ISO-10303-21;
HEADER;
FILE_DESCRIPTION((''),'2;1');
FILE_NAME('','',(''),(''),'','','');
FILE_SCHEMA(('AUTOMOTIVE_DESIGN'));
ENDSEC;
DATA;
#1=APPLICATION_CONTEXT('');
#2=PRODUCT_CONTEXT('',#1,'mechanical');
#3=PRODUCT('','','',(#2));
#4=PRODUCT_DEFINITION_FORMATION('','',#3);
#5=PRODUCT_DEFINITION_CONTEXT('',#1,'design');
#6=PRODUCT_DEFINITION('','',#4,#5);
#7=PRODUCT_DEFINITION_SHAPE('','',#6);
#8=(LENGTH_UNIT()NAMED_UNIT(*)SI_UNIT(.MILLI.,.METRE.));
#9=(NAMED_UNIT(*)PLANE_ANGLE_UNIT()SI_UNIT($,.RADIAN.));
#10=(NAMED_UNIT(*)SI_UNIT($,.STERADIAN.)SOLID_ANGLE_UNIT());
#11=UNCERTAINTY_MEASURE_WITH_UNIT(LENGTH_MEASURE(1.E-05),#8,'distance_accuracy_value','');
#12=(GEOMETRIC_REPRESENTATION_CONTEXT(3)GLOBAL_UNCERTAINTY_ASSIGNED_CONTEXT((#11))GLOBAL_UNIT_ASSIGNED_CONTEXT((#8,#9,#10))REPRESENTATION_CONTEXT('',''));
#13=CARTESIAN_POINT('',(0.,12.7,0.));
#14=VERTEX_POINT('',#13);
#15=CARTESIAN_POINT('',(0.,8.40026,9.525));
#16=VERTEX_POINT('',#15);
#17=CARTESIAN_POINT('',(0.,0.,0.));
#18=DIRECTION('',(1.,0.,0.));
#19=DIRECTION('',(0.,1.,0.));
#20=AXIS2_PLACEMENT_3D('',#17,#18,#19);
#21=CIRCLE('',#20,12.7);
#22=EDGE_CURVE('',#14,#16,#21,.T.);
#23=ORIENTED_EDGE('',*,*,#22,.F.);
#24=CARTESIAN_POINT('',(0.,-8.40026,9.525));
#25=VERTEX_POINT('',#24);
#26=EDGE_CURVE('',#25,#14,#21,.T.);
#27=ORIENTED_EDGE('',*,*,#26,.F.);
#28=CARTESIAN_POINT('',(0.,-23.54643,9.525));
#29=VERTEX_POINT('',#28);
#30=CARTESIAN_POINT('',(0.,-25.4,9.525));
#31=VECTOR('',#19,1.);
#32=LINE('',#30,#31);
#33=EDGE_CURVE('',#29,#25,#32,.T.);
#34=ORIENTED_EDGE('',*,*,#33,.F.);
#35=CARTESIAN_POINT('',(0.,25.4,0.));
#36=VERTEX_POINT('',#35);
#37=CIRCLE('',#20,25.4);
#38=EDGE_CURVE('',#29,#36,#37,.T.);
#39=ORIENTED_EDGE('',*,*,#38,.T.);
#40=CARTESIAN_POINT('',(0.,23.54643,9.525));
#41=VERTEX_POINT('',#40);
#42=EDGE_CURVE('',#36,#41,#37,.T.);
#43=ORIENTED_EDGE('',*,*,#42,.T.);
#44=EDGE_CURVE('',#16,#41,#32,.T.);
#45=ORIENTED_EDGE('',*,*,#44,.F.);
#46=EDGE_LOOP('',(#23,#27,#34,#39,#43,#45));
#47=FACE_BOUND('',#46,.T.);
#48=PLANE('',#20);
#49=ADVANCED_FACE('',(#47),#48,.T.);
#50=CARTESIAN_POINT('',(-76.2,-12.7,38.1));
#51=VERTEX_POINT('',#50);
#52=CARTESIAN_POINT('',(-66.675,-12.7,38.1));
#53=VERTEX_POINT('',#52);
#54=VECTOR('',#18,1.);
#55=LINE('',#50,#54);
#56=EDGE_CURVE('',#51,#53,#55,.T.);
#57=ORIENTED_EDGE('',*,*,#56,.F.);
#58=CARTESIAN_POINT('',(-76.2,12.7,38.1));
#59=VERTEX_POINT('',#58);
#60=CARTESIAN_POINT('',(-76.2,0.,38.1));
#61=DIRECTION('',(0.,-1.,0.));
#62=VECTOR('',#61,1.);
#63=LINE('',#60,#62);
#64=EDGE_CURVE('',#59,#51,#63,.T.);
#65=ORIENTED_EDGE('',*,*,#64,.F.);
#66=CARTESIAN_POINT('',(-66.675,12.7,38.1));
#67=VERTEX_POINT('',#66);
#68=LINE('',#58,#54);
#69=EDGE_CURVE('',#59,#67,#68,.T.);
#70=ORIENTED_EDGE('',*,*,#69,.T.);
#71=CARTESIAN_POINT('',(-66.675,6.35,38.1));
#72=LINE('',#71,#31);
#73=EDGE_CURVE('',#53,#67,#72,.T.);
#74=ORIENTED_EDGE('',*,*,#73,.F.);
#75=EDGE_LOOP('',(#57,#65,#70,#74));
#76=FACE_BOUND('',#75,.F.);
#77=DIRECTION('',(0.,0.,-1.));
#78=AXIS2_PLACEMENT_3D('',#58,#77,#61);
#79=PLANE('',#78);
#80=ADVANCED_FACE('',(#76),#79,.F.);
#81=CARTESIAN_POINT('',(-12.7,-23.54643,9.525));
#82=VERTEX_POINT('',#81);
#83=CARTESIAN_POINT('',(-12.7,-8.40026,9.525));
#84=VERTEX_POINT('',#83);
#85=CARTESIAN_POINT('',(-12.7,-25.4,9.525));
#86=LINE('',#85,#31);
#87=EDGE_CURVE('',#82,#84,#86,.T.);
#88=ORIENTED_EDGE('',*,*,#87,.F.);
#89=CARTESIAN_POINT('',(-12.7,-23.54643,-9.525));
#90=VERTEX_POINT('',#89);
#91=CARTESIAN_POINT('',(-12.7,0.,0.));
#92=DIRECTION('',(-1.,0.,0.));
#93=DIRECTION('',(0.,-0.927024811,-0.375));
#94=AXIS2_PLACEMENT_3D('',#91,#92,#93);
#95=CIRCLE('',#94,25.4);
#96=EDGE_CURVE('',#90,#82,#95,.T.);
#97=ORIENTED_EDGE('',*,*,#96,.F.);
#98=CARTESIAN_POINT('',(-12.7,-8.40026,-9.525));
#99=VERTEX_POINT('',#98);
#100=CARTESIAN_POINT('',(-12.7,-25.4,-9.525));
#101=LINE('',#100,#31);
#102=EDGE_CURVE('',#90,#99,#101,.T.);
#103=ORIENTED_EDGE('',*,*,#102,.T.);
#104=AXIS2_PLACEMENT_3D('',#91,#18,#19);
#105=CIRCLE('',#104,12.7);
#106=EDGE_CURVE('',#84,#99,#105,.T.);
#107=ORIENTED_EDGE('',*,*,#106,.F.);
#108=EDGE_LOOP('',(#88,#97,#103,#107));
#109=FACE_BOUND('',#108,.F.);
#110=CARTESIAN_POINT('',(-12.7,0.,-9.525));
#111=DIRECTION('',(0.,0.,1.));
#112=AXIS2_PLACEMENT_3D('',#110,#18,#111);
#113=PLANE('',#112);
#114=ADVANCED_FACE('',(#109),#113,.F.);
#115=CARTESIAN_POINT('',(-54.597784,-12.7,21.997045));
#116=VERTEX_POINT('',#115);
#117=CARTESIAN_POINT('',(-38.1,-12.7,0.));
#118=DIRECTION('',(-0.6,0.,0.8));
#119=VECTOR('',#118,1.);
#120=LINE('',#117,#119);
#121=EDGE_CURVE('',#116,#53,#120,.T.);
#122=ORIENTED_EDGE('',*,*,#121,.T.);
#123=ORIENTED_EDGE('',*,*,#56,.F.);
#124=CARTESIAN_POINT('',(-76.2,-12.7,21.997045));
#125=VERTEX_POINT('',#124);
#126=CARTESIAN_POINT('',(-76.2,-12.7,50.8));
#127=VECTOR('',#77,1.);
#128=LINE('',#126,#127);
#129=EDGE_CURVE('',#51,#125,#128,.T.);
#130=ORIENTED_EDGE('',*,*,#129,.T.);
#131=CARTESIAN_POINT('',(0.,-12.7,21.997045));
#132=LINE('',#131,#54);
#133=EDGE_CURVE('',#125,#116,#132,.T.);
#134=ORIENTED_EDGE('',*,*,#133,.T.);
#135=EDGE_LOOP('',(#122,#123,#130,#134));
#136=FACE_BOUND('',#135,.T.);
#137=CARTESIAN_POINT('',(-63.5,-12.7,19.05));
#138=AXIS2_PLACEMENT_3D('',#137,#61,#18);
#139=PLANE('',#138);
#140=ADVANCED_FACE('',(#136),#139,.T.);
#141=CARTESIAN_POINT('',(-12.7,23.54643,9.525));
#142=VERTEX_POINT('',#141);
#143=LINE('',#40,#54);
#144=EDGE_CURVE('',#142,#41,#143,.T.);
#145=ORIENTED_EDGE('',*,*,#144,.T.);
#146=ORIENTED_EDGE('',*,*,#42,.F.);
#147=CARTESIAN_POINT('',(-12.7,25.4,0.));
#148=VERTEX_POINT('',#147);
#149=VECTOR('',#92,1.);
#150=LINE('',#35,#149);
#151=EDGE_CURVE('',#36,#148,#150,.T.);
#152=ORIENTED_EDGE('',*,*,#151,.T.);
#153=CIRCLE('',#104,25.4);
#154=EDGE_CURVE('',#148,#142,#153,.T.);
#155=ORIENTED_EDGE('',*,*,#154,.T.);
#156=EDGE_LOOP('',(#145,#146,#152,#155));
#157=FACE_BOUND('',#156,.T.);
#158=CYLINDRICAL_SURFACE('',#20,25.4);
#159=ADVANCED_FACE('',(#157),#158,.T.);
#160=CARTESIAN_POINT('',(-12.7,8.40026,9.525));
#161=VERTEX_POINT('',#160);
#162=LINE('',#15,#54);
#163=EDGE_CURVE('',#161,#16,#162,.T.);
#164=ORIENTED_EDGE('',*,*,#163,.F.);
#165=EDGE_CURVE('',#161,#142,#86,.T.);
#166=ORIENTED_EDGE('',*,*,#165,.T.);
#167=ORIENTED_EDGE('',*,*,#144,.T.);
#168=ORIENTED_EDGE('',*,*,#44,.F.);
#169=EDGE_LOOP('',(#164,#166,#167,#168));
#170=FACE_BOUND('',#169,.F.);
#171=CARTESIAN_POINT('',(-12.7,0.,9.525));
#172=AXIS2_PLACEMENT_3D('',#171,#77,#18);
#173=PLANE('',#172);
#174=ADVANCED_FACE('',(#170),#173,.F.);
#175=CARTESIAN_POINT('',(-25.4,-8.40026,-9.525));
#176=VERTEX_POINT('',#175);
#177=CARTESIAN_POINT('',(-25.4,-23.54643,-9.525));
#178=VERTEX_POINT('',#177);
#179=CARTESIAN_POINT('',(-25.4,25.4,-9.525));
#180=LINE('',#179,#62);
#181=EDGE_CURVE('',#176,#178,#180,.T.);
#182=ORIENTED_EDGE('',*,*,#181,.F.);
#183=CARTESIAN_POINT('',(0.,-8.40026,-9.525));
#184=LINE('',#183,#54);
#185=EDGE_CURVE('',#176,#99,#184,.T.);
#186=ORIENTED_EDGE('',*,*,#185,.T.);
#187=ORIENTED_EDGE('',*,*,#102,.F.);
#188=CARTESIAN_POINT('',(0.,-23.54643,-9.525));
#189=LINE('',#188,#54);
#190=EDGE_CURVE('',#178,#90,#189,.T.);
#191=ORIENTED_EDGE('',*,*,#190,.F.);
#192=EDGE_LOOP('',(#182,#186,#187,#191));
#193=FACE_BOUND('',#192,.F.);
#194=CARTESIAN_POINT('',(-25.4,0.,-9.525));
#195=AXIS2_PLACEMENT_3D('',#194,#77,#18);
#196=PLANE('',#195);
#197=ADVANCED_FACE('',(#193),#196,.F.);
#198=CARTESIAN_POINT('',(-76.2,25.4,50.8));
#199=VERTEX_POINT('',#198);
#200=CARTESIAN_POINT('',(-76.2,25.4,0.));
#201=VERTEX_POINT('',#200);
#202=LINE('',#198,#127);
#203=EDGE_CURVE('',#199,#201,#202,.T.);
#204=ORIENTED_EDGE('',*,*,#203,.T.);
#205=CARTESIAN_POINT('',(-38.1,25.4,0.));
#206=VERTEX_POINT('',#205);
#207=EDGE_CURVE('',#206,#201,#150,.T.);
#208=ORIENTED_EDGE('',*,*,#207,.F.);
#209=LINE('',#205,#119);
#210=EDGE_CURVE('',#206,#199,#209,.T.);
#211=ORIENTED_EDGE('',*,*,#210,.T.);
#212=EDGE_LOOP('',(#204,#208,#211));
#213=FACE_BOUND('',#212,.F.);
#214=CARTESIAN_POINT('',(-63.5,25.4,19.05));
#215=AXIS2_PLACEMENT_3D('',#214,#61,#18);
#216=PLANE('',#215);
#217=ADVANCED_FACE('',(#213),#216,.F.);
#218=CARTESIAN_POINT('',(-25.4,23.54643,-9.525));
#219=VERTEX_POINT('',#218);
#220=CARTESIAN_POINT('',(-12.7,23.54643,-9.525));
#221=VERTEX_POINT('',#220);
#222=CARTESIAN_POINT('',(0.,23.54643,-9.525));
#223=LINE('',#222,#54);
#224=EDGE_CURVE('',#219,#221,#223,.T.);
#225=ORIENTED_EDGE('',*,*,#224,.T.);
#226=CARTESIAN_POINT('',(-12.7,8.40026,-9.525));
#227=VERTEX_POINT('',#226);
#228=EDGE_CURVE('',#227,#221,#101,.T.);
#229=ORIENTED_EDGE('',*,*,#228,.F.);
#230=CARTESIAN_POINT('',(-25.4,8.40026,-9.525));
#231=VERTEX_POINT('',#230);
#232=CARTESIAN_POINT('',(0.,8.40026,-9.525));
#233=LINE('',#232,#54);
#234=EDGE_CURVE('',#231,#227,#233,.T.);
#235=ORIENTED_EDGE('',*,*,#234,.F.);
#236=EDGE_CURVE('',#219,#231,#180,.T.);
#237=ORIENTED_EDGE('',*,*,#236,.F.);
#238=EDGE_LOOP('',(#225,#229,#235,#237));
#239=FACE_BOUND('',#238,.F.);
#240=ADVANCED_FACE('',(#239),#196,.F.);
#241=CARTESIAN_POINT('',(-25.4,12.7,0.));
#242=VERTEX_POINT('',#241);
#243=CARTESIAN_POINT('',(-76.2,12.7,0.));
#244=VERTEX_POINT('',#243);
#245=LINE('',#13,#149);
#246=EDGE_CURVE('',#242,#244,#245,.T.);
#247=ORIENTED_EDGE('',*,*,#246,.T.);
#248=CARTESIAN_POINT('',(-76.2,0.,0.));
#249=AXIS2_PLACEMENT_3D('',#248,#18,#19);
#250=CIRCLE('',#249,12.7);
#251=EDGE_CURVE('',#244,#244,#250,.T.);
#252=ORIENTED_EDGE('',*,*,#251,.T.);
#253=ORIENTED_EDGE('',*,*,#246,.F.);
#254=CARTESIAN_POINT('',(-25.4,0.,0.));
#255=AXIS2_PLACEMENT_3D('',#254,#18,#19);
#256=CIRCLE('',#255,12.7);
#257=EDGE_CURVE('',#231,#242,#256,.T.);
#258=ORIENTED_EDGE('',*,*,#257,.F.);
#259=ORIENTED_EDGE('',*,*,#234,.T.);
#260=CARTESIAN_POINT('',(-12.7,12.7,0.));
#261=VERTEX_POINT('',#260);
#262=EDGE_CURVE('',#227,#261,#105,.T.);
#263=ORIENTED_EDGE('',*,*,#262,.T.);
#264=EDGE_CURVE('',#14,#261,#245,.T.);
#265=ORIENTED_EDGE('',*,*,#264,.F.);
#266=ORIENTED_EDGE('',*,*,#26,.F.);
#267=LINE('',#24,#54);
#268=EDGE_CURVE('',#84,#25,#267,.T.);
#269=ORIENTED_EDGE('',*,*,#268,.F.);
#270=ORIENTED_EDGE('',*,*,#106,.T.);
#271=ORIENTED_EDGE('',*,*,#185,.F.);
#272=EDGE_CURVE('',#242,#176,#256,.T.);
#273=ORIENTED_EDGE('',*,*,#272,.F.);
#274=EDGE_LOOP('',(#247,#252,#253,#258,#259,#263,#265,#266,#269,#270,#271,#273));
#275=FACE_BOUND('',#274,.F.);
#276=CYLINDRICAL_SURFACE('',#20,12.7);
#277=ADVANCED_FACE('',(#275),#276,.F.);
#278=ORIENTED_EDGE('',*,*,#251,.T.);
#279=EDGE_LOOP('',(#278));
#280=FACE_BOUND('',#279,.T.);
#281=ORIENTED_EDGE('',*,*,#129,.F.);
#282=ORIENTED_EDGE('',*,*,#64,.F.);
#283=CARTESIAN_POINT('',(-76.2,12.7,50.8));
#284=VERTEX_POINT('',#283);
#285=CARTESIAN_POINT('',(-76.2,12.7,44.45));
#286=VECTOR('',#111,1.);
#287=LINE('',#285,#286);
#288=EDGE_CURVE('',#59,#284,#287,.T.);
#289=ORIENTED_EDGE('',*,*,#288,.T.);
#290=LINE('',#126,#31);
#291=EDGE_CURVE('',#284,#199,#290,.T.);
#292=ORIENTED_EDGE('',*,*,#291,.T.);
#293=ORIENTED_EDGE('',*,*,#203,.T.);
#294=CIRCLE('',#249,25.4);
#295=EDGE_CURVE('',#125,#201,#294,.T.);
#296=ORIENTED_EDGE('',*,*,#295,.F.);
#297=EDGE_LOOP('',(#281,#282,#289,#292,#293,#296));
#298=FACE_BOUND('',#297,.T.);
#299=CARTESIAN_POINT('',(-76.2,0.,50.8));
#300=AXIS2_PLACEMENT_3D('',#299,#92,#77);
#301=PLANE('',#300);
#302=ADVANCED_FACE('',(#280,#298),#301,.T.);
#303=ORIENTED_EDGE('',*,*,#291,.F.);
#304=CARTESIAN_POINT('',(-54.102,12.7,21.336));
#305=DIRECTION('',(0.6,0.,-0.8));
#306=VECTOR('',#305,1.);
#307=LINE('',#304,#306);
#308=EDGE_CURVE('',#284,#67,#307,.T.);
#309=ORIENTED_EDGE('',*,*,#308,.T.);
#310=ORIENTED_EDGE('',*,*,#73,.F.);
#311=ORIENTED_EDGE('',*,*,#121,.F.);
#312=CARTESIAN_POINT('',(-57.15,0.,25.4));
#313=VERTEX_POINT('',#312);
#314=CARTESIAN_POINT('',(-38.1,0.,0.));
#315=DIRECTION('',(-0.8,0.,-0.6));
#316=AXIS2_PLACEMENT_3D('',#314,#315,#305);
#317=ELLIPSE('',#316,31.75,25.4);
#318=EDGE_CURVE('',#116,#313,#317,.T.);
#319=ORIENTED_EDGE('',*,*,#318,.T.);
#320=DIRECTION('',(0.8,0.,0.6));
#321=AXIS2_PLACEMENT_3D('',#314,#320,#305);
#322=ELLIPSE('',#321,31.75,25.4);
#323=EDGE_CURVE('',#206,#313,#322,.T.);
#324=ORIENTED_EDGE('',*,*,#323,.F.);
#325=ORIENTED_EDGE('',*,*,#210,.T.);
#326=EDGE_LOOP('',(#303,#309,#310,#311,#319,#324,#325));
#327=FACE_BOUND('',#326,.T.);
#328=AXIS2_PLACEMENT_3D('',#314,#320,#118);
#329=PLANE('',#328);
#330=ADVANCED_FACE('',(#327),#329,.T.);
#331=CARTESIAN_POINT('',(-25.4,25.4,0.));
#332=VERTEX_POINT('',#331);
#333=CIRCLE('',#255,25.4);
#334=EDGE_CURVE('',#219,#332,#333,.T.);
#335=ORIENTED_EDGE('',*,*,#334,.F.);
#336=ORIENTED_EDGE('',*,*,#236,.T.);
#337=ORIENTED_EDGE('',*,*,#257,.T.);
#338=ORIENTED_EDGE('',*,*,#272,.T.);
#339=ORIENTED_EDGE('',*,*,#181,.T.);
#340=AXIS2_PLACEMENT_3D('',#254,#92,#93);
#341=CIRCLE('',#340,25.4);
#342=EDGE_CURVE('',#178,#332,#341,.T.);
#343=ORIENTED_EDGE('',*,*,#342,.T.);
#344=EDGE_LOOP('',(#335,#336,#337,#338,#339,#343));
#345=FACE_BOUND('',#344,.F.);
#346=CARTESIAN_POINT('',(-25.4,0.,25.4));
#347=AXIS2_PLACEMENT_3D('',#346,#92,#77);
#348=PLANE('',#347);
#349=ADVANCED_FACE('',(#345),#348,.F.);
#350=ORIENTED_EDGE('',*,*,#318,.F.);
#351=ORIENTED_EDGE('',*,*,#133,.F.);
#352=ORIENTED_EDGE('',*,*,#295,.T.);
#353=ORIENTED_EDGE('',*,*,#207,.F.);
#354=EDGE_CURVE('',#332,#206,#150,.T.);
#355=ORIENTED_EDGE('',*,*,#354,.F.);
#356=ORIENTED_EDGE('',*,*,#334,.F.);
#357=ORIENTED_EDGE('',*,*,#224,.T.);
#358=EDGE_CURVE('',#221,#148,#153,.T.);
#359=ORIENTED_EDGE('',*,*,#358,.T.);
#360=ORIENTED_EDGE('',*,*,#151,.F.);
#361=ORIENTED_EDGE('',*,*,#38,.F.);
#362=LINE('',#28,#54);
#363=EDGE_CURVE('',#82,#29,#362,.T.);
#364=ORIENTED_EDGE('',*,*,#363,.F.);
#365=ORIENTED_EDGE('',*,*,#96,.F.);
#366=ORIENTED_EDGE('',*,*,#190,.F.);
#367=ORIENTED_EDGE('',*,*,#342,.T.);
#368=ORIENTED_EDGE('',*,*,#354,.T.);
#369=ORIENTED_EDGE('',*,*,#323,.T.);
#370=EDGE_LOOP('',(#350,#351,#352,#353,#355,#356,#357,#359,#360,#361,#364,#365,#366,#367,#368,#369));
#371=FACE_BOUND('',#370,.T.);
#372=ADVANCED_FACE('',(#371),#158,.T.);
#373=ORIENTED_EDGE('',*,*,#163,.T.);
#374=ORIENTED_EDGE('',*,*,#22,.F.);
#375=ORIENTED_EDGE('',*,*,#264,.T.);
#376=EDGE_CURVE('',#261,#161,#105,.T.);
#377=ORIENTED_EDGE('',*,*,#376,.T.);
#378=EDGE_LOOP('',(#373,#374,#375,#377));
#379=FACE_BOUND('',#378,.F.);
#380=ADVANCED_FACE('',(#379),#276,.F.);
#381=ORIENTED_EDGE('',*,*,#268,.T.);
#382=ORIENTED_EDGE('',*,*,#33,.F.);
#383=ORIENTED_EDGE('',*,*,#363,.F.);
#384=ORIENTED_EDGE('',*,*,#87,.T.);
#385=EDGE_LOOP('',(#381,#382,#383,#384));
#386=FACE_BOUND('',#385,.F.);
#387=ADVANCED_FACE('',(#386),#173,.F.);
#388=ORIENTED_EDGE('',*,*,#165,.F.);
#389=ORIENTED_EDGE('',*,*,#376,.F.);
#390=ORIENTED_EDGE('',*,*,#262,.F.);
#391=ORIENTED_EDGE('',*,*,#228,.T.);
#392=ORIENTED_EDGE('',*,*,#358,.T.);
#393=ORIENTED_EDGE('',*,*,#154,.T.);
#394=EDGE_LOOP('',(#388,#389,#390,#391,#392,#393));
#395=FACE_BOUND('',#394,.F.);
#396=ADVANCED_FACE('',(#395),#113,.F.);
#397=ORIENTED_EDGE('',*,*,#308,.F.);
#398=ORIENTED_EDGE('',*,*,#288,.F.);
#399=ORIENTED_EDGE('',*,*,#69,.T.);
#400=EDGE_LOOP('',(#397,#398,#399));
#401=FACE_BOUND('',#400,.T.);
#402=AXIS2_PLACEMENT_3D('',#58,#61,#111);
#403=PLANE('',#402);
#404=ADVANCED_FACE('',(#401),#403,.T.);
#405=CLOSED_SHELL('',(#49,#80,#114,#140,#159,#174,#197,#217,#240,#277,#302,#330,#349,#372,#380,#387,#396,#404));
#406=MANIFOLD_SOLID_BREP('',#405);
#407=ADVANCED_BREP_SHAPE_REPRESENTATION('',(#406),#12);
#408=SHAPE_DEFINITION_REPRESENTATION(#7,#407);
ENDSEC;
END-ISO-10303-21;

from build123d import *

# Parameters (mm, degrees)
F0_R          = 25.4
F1_DEPTH      = 76.2
F3_DEPTH      = 25.4
F5_DEPTH      = 12.7
F5_DEPTH_BACK = 25.4
F6_W          = 25.4
F6_H          = 12.7
F7_DEPTH      = 76.201
F8_R          = 12.7
F9_DEPTH      = 76.201


with BuildPart() as f1:
    # F0 (on Right) → F1 (new body)
    with BuildSketch(Plane.YZ):
        Circle(F0_R)
    extrude(amount=-F1_DEPTH)

    # F2 (on Front) → F3 (cut, symmetric)
    with BuildSketch(Plane.XZ):
        Polygon((0, 9.525), (0, 25.4), (-25.4, 25.4), (-25.4, -9.525), (-12.7, -9.525), (-12.7, 9.525), align=None)
    extrude(amount=F3_DEPTH, both=True, mode=Mode.SUBTRACT)

    # F4 (on Front) → F5 (join, two sides)
    with BuildSketch(Plane.XZ) as f5_sk:
        Polygon((-76.2, 50.8), (-76.2, 0), (-38.1, 0), align=None)
    extrude(amount=F5_DEPTH)
    extrude(f5_sk.sketch, amount=-F5_DEPTH_BACK)

    # F6 (on face) → F7 (cut, through all)
    with BuildSketch(Plane(origin=(-76.2, 0, 0), x_dir=(0, -1, 0), z_dir=(-1, 0, 0))):
        with Locations((0, 44.45)):
            Rectangle(F6_W, F6_H)
    extrude(amount=-F7_DEPTH, mode=Mode.SUBTRACT)

    # F8 (on face) → F9 (cut, through all)
    with BuildSketch(Plane.YZ):
        Circle(F8_R)
    extrude(amount=-F9_DEPTH, mode=Mode.SUBTRACT)


solid = f1.part
